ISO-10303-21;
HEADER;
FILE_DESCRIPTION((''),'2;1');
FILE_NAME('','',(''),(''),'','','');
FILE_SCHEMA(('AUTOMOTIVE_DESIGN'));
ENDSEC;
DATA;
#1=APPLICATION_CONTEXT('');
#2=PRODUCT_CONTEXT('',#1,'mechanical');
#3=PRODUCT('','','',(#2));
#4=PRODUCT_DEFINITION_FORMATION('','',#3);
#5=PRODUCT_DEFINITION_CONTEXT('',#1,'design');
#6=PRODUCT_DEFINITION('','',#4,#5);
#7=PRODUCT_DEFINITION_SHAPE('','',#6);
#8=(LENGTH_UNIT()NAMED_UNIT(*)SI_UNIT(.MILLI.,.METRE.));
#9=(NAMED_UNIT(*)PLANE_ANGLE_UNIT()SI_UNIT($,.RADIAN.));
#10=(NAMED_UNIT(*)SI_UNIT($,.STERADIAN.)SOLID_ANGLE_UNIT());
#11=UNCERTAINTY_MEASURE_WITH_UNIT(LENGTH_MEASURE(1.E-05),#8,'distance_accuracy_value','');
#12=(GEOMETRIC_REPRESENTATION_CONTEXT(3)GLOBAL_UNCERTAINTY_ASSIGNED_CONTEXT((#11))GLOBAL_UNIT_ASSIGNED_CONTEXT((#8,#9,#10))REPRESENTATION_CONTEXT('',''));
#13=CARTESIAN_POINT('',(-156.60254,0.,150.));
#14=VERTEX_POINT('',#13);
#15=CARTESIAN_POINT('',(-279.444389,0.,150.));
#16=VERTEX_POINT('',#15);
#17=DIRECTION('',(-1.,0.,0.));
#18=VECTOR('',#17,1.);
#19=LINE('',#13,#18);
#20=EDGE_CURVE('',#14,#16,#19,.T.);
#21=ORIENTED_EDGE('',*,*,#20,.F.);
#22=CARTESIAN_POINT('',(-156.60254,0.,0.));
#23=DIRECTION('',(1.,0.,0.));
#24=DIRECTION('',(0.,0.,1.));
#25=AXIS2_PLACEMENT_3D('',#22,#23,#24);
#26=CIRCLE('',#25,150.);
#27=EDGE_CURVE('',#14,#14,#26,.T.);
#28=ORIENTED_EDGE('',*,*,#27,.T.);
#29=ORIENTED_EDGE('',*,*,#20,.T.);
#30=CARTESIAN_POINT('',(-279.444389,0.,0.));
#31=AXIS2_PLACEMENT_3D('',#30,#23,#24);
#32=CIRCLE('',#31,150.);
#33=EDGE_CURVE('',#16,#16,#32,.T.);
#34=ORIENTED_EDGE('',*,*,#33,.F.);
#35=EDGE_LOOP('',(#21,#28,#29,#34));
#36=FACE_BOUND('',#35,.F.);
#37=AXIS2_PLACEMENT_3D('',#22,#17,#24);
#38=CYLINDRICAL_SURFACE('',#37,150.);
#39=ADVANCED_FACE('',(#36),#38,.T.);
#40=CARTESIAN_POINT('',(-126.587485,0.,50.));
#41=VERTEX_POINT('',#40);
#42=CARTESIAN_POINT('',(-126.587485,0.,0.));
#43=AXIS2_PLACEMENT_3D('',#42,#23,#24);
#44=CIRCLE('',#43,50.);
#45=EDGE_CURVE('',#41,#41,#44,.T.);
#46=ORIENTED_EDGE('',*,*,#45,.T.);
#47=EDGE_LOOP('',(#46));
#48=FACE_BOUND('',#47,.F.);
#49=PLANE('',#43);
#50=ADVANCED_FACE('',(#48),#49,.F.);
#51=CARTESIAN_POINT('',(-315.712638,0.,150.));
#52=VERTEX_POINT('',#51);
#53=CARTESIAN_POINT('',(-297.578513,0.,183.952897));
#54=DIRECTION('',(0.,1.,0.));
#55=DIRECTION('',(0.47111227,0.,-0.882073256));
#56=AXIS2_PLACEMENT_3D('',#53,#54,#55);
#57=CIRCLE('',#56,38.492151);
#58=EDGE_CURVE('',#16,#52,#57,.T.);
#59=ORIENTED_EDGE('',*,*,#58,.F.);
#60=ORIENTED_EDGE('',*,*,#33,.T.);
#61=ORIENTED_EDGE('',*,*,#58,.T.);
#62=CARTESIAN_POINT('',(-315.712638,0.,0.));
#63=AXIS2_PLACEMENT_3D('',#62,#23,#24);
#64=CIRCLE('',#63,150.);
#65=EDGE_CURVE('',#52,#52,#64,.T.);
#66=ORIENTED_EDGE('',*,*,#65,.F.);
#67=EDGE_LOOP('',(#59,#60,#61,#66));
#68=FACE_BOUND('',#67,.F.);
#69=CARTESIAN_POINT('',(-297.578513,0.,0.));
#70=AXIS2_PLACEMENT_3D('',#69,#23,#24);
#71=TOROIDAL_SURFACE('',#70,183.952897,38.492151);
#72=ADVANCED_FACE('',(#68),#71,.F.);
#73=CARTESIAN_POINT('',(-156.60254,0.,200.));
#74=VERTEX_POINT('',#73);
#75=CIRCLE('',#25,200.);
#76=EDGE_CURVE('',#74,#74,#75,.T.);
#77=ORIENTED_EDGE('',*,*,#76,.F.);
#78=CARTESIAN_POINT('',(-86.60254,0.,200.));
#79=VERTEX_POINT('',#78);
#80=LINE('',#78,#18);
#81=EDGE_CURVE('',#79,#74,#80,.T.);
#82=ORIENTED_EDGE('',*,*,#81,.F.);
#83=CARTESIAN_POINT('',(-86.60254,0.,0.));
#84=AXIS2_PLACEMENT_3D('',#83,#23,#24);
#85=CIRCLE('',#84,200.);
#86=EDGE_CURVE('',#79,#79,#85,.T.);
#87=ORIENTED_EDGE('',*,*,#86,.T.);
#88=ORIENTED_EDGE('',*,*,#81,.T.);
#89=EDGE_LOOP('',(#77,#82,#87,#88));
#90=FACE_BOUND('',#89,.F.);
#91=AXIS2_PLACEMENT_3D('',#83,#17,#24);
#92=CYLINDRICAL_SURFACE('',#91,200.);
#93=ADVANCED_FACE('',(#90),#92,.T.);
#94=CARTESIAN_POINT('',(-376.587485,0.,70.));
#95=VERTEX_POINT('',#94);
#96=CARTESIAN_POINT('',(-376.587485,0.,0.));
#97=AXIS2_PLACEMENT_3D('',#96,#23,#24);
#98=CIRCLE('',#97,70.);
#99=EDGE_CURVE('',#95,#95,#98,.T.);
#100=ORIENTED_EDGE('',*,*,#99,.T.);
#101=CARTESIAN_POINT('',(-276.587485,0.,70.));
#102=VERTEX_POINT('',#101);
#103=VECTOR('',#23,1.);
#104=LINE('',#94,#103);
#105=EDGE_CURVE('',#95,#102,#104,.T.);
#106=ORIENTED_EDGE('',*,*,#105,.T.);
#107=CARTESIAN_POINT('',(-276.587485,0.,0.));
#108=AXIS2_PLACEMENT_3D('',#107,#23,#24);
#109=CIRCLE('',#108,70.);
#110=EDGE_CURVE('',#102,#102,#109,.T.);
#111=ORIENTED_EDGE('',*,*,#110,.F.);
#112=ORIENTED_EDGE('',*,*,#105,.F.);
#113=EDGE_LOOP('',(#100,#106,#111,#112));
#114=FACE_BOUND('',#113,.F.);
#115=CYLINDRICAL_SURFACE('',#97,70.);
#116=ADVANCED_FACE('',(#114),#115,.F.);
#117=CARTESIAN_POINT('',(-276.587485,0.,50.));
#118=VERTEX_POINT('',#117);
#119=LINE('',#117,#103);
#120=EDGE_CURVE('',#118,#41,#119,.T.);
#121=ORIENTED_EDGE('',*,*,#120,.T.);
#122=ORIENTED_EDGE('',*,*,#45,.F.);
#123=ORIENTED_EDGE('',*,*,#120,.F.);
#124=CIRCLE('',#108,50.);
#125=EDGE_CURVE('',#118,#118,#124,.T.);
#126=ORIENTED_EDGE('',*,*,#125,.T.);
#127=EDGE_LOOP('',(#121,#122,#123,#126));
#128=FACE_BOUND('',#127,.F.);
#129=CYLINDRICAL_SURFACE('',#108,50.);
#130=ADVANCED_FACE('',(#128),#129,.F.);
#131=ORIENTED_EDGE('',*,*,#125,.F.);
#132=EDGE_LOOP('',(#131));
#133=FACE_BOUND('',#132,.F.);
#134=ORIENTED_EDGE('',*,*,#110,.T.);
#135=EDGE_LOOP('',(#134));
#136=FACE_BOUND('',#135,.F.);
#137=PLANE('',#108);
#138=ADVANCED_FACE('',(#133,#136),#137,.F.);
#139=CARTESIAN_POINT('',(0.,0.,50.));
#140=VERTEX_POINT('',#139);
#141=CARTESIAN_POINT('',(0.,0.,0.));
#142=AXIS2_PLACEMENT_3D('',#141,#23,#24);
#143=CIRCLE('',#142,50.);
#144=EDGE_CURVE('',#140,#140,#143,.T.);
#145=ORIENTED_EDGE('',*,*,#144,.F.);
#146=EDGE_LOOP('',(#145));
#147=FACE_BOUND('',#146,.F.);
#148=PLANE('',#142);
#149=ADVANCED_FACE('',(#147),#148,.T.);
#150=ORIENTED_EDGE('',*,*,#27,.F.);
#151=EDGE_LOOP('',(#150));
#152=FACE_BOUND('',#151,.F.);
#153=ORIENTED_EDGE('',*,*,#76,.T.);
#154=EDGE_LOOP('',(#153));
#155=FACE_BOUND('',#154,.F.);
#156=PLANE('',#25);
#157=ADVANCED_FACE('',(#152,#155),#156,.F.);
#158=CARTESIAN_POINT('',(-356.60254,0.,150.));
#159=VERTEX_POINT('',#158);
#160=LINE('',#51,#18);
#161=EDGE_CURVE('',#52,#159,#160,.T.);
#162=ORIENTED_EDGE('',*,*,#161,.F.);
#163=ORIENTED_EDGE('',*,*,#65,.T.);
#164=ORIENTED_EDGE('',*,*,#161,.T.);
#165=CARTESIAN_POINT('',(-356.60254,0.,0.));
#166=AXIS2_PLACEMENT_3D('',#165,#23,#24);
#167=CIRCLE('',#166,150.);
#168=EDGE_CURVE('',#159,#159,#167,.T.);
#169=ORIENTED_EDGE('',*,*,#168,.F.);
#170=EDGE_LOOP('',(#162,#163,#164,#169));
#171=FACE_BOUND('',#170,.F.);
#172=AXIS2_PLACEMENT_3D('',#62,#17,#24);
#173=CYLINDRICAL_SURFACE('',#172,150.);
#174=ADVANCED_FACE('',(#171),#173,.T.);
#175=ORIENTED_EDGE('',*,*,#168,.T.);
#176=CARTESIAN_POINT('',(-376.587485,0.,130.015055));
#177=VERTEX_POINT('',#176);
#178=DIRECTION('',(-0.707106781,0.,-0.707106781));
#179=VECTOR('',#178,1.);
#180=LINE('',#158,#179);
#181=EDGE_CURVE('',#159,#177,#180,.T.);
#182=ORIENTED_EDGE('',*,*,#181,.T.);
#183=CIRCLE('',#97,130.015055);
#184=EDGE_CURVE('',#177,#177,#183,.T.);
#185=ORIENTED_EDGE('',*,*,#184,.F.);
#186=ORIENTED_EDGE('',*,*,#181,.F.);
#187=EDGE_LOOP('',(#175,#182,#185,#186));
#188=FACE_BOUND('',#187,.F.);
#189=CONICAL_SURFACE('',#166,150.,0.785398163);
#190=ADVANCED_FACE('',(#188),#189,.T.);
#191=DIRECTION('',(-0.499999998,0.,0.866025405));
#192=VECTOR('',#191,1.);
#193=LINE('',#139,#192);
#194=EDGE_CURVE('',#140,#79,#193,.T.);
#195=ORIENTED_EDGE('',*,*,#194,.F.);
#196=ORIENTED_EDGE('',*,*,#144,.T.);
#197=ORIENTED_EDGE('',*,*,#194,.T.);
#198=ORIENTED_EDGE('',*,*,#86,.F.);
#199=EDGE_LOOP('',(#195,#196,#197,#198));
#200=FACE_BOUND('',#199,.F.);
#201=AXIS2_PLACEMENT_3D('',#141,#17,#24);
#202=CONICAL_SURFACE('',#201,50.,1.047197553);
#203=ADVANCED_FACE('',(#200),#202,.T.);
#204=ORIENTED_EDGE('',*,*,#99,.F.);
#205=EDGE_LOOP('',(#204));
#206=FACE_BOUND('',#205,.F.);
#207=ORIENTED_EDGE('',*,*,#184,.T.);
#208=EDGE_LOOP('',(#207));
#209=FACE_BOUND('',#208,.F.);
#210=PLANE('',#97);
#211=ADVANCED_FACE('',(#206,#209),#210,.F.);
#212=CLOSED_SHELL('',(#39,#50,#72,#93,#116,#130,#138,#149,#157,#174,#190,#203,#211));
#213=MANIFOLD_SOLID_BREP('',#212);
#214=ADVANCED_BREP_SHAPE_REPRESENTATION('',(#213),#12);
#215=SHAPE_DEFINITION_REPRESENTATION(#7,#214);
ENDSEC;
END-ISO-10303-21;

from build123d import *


with BuildPart() as f1:
    # F0 (on Front) → F1 (revolve)
    with BuildSketch(Plane.XZ):
        with BuildLine():
            Line((-126.587485, 0), (0, 0))
            Line((0, 0), (0, 50))
            Line((0, 50), (-86.60254, 200))
            Line((-86.60254, 200), (-156.60254, 200))
            Line((-156.60254, 200), (-156.60254, 150))
            Line((-156.60254, 150), (-276.463263, 150))
            Line((-276.463263, 150), (-279.444389, 150))
            ThreePointArc((-279.444389, 150), (-297.578514, 145.460746), (-315.712638, 150))
            Line((-315.712638, 150), (-356.60254, 150))
            Line((-356.60254, 150), (-376.587485, 130.015055))
            Line((-376.587485, 130.015055), (-376.587485, 70))
            Line((-376.587485, 70), (-276.587485, 70))
            Line((-276.587485, 70), (-276.587485, 50))
            Line((-276.587485, 50), (-126.587485, 50))
            Line((-126.587485, 50), (-126.587485, 0))
        make_face()
    revolve(axis=Axis((-63.293743, 0, 0), (1, 0, 0)))


solid = f1.part
